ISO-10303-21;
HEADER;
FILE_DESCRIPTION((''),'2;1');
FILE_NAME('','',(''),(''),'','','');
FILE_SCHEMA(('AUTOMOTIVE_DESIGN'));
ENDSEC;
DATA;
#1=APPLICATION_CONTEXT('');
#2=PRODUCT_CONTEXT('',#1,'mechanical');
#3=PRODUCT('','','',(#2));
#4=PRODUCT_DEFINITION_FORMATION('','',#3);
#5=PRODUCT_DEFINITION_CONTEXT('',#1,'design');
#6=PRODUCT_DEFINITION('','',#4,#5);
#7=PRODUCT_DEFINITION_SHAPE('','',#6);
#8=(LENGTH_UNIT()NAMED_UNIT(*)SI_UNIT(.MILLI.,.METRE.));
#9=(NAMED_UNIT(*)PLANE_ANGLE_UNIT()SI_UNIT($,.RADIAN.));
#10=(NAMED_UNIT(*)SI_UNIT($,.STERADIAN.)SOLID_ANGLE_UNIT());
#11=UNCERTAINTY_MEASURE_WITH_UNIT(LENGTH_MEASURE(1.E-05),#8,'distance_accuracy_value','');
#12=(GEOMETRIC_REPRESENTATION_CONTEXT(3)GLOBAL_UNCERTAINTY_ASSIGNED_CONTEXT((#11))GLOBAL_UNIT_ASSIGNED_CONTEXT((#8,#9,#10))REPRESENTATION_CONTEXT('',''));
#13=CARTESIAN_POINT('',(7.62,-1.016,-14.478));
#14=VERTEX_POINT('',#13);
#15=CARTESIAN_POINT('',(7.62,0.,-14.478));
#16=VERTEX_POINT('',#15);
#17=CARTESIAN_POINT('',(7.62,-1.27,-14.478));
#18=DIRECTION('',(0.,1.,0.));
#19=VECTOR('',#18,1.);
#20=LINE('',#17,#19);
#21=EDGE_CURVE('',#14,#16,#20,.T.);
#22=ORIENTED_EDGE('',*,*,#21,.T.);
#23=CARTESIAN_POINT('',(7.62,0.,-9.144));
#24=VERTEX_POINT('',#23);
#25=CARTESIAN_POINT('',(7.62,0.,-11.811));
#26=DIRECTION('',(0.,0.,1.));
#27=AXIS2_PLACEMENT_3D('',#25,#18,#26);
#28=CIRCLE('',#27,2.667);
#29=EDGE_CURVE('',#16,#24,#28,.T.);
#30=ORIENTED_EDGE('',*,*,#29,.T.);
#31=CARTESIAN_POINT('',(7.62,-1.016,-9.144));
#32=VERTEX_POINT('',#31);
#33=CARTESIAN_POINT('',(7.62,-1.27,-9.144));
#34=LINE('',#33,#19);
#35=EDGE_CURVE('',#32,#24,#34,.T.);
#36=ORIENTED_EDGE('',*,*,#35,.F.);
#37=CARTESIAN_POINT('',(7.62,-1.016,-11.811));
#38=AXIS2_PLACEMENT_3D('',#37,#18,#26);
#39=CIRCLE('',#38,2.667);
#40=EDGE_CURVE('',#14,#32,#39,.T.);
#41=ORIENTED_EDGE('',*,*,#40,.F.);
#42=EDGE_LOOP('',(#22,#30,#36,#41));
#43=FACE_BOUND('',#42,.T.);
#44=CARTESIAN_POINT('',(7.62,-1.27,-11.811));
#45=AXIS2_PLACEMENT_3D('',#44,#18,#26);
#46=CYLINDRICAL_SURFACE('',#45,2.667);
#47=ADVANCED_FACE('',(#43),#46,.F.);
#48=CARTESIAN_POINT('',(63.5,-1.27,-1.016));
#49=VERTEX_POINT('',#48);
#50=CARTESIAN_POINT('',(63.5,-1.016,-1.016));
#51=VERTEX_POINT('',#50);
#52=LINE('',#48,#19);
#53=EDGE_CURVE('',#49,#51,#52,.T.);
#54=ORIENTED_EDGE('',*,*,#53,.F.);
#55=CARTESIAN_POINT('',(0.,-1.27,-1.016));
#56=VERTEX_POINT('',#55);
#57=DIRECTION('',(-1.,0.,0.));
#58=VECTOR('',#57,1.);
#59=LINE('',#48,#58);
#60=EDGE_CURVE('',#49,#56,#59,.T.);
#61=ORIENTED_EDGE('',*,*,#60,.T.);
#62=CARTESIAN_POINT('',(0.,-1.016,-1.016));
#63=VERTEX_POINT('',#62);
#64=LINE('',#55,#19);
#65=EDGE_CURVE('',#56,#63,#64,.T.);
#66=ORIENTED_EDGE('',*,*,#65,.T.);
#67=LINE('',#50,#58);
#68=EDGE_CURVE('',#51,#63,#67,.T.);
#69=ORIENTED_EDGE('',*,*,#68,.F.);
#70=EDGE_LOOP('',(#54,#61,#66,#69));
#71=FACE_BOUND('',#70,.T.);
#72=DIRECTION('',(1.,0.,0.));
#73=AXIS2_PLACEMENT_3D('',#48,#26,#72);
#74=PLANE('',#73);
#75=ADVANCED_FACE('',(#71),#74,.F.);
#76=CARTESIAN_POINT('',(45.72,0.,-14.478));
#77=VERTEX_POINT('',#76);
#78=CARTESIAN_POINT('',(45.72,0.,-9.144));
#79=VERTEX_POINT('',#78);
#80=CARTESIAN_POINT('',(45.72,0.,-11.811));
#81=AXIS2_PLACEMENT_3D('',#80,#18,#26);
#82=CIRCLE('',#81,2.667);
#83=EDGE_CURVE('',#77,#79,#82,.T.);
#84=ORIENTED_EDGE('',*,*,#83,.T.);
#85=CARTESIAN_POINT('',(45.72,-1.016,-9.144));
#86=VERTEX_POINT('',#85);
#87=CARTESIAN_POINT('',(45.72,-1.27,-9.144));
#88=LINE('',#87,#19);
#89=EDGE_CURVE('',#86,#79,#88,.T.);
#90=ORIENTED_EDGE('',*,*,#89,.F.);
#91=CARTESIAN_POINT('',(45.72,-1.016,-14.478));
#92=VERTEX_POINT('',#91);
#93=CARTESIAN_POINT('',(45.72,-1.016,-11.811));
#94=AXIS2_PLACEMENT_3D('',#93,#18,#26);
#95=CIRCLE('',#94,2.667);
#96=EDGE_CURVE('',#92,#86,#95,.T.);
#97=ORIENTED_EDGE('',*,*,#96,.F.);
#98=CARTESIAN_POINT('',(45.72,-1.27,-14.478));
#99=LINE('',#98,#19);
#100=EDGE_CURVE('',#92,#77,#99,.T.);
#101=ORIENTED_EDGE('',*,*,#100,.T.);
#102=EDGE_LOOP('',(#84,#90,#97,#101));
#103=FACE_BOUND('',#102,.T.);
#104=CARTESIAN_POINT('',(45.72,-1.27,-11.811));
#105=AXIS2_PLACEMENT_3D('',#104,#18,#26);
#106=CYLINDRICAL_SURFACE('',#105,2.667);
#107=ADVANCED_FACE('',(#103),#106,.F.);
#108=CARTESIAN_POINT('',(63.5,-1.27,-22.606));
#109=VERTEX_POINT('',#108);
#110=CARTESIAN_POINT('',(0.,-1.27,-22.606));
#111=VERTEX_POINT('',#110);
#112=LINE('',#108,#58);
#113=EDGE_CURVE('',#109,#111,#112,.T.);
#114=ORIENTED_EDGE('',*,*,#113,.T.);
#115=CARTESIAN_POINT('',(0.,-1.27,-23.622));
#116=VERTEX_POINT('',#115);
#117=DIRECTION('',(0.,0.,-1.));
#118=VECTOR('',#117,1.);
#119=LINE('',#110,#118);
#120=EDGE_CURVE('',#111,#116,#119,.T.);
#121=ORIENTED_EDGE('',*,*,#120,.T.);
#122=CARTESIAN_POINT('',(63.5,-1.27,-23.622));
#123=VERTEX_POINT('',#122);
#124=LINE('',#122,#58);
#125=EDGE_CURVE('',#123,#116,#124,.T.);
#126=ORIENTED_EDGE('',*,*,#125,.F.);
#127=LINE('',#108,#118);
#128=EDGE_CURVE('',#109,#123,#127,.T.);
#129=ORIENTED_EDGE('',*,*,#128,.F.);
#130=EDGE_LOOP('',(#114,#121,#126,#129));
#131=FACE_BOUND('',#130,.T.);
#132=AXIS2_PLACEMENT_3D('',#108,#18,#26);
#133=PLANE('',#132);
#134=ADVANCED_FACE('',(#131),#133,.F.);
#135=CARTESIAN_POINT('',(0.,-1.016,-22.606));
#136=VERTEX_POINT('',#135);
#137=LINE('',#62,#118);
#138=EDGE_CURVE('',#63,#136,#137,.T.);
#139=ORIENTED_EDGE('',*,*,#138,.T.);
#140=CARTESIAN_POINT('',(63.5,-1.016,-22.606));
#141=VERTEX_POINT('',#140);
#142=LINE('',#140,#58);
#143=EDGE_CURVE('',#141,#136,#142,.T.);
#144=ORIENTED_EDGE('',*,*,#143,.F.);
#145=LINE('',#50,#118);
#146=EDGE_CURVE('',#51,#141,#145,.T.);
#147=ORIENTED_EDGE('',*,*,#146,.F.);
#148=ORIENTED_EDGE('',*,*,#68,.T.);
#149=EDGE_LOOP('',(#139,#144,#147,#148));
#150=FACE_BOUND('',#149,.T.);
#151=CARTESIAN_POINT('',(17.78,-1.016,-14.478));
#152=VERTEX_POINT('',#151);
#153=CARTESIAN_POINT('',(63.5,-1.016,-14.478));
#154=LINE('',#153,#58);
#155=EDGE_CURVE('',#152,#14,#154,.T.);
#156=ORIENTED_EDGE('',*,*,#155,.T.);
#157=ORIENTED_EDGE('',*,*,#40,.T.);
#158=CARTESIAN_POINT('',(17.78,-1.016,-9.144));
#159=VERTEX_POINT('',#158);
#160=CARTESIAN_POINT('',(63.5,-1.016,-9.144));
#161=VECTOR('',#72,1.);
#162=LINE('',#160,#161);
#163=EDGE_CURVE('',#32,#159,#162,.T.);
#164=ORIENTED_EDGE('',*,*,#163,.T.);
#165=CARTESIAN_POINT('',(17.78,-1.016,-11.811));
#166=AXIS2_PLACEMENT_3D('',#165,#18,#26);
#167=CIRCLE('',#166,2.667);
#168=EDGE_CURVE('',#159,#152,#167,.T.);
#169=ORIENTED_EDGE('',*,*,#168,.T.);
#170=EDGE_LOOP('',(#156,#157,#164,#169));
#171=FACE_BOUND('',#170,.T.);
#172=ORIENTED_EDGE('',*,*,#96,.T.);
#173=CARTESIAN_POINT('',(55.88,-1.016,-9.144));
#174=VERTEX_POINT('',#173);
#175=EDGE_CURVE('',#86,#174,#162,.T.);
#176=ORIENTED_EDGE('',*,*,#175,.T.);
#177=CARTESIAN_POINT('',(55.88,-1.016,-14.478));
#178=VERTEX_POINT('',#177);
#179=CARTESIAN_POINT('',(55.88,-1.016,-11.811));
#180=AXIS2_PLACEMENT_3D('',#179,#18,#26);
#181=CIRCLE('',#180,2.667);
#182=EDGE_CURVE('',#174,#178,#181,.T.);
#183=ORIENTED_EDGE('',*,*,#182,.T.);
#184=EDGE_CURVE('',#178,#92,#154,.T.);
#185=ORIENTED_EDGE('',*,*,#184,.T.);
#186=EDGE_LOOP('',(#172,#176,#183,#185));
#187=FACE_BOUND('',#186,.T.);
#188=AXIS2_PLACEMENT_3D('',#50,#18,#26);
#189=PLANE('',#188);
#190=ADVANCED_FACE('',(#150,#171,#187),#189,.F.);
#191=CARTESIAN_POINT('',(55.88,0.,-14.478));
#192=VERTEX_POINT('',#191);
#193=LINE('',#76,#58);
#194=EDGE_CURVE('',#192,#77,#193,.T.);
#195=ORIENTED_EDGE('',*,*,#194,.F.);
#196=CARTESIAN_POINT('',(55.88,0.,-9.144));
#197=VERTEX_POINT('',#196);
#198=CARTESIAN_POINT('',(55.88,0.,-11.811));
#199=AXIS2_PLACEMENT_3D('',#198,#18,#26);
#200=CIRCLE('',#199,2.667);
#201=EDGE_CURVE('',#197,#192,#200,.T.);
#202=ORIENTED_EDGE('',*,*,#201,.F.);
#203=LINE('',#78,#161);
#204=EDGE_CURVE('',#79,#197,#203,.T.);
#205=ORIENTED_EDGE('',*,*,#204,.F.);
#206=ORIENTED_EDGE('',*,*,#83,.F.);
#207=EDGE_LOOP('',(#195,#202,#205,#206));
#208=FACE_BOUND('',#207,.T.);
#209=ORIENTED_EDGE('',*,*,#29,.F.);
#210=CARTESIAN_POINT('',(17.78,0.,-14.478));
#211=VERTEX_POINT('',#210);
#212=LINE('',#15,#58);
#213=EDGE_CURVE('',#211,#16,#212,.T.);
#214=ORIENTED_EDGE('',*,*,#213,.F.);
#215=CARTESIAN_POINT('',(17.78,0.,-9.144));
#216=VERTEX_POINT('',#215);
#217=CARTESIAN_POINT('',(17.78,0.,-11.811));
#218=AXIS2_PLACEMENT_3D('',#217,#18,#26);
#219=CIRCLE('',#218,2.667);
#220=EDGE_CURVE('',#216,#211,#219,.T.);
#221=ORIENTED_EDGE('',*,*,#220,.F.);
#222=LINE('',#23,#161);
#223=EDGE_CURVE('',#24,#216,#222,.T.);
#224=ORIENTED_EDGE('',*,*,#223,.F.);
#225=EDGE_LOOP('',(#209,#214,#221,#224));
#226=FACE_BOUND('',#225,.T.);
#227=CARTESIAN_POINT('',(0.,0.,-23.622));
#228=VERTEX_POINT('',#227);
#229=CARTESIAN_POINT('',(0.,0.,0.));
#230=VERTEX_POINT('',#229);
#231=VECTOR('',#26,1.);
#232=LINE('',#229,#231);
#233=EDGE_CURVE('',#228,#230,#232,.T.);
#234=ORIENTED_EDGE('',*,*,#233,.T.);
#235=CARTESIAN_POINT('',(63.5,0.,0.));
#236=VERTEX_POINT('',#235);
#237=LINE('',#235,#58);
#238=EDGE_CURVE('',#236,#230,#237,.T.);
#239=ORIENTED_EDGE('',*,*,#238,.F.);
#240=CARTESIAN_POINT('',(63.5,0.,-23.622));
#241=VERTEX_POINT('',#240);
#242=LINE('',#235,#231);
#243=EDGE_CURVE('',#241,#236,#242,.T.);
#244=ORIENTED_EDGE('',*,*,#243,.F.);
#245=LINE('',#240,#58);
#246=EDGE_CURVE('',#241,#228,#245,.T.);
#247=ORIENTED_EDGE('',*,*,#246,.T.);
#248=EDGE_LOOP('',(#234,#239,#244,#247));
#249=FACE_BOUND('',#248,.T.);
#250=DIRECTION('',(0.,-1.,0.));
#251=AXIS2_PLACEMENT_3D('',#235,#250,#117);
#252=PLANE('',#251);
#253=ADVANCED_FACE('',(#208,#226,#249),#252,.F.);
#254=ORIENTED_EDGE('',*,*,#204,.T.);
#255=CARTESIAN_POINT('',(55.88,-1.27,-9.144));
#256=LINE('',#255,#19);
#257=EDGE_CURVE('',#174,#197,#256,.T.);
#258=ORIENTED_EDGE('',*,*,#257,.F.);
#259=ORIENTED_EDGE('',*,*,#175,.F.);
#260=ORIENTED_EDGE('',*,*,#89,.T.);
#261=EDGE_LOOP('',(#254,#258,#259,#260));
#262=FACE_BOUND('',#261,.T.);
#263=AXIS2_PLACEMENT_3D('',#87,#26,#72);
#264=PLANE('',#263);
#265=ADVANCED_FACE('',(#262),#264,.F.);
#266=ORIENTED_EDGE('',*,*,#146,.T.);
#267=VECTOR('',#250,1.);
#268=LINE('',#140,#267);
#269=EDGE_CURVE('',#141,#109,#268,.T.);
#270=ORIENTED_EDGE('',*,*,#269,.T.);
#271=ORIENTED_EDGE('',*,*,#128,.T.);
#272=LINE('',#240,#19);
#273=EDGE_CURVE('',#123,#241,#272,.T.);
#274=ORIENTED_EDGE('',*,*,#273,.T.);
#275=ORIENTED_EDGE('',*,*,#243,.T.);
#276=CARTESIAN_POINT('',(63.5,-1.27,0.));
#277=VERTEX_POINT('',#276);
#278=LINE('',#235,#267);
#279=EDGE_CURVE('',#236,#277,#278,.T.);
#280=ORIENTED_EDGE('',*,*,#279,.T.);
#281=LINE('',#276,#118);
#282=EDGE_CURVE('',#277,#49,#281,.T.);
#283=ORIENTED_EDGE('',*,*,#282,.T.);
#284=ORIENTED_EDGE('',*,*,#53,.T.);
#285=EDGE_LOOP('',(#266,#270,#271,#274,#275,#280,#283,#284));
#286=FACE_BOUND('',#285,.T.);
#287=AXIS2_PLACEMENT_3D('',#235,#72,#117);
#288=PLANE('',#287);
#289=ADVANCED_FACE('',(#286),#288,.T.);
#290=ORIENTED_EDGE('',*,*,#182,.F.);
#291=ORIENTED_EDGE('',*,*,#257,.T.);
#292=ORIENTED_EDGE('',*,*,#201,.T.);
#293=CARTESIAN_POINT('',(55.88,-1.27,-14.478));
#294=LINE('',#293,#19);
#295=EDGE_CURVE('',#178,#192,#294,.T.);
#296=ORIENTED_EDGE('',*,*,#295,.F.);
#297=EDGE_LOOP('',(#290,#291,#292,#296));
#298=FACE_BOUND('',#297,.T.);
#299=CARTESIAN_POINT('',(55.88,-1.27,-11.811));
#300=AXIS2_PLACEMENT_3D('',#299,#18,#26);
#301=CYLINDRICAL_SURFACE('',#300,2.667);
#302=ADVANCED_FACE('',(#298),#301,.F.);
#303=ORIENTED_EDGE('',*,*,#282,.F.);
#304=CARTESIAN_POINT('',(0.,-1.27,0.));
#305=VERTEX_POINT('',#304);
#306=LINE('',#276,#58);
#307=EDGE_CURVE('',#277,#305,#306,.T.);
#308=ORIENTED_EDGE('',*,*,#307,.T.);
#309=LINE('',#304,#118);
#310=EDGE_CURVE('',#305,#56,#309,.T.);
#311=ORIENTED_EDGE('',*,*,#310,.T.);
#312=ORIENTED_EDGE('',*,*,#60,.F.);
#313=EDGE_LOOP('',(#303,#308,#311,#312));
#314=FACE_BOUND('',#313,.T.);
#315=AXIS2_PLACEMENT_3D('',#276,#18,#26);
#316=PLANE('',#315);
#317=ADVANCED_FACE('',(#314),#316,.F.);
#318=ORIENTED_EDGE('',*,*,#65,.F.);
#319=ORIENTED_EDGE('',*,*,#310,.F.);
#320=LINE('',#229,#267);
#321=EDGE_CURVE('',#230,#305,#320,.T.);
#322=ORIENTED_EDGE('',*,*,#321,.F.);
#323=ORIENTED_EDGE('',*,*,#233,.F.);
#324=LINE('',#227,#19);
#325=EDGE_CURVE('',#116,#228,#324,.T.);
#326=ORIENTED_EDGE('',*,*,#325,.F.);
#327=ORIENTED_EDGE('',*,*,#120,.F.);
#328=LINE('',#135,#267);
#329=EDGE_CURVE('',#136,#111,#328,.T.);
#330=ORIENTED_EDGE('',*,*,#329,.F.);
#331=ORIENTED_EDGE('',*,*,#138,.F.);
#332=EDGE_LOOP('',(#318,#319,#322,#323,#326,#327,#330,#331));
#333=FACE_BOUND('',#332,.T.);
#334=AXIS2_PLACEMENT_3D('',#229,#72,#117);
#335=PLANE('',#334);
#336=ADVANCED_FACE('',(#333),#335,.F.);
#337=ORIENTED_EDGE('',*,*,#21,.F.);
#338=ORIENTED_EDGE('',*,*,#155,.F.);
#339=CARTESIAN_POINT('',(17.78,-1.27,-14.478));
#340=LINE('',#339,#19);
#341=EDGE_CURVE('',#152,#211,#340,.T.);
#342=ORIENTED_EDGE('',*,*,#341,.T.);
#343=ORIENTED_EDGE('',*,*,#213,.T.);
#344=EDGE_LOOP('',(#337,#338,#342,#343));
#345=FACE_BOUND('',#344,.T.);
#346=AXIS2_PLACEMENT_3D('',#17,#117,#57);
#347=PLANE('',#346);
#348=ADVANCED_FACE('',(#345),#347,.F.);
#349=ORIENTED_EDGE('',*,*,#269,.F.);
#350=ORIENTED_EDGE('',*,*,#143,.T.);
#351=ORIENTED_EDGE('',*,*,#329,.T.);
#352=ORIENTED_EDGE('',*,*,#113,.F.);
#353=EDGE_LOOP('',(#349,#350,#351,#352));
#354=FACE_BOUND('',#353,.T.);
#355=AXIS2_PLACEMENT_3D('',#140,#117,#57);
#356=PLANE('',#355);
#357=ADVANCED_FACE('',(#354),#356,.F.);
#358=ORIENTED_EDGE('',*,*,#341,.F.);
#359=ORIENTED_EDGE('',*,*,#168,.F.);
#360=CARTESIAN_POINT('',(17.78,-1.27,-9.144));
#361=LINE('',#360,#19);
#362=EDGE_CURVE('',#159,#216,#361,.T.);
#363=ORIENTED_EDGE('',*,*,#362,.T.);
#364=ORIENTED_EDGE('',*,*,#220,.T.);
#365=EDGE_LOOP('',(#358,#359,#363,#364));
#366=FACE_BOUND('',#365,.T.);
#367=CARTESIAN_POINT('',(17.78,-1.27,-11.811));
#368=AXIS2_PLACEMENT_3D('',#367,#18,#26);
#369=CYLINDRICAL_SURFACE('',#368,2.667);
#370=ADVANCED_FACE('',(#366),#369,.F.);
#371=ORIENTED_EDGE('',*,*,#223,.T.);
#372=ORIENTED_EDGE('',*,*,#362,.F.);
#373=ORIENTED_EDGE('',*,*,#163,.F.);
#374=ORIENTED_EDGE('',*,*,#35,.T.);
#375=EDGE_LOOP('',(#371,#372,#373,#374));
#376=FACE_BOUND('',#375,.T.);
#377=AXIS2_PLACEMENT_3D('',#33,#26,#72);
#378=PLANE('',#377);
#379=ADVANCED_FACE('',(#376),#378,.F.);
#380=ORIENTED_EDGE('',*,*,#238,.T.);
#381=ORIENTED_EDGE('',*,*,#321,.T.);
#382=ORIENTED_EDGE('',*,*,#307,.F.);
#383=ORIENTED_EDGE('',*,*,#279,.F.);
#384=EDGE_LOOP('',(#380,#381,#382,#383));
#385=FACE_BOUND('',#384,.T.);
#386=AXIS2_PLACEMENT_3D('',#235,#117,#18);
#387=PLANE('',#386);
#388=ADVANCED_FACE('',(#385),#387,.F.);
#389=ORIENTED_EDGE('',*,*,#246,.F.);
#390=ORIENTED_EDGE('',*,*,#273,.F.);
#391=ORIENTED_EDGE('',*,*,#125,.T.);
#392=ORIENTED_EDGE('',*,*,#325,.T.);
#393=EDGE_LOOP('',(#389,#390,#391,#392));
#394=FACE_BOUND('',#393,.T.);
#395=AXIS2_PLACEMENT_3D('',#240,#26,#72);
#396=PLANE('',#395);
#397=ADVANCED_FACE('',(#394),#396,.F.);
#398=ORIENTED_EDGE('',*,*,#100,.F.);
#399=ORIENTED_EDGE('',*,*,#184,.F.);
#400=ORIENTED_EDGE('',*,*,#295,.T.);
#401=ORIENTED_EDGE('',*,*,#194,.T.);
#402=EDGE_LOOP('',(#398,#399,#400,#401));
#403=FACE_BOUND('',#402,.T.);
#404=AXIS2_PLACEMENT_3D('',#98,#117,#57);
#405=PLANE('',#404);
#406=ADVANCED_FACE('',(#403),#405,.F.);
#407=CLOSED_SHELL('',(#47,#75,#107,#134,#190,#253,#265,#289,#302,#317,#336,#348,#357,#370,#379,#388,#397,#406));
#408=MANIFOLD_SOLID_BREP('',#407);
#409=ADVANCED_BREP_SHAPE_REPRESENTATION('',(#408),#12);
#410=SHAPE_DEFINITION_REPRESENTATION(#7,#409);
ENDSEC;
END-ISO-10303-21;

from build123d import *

# Parameters (mm, degrees)
BOSS_EXTRUDE1_DEPTH = 63.5
CUT_EXTRUDE1_DEPTH  = 68.763277548


with BuildPart() as part:
    # Sketch3 → Boss-Extrude1 (new body)
    with BuildSketch(Plane(origin=(0, 0, 0), x_dir=(0, 0, -1), z_dir=(1, 0, 0))):
        Polygon((0, 0), (23.622, 0), (23.622, -1.27), (22.606, -1.27), (22.606, -1.016), (1.016, -1.016), (1.016, -1.27), (0, -1.27), align=None)
    extrude(amount=BOSS_EXTRUDE1_DEPTH)

    # Sketch4 → Cut-Extrude1 (cut, through all)
    with BuildSketch(Plane(origin=(0, 0, 0), x_dir=(1, 0, 0), z_dir=(0, 1, 0))):
        with BuildLine():
            Line((7.62, 14.478), (17.78, 14.478))
            ThreePointArc((17.78, 14.478), (20.447, 11.811), (17.78, 9.144))
            Line((17.78, 9.144), (7.62, 9.144))
            ThreePointArc((7.62, 9.144), (4.953, 11.811), (7.62, 14.478))
        make_face()
        with BuildLine():
            Line((45.72, 9.144), (55.88, 9.144))
            ThreePointArc((55.88, 9.144), (58.547, 11.811), (55.88, 14.478))
            Line((55.88, 14.478), (45.72, 14.478))
            ThreePointArc((45.72, 14.478), (43.053, 11.811), (45.72, 9.144))
        make_face()
    extrude(amount=-CUT_EXTRUDE1_DEPTH, mode=Mode.SUBTRACT)


solid = part.part
